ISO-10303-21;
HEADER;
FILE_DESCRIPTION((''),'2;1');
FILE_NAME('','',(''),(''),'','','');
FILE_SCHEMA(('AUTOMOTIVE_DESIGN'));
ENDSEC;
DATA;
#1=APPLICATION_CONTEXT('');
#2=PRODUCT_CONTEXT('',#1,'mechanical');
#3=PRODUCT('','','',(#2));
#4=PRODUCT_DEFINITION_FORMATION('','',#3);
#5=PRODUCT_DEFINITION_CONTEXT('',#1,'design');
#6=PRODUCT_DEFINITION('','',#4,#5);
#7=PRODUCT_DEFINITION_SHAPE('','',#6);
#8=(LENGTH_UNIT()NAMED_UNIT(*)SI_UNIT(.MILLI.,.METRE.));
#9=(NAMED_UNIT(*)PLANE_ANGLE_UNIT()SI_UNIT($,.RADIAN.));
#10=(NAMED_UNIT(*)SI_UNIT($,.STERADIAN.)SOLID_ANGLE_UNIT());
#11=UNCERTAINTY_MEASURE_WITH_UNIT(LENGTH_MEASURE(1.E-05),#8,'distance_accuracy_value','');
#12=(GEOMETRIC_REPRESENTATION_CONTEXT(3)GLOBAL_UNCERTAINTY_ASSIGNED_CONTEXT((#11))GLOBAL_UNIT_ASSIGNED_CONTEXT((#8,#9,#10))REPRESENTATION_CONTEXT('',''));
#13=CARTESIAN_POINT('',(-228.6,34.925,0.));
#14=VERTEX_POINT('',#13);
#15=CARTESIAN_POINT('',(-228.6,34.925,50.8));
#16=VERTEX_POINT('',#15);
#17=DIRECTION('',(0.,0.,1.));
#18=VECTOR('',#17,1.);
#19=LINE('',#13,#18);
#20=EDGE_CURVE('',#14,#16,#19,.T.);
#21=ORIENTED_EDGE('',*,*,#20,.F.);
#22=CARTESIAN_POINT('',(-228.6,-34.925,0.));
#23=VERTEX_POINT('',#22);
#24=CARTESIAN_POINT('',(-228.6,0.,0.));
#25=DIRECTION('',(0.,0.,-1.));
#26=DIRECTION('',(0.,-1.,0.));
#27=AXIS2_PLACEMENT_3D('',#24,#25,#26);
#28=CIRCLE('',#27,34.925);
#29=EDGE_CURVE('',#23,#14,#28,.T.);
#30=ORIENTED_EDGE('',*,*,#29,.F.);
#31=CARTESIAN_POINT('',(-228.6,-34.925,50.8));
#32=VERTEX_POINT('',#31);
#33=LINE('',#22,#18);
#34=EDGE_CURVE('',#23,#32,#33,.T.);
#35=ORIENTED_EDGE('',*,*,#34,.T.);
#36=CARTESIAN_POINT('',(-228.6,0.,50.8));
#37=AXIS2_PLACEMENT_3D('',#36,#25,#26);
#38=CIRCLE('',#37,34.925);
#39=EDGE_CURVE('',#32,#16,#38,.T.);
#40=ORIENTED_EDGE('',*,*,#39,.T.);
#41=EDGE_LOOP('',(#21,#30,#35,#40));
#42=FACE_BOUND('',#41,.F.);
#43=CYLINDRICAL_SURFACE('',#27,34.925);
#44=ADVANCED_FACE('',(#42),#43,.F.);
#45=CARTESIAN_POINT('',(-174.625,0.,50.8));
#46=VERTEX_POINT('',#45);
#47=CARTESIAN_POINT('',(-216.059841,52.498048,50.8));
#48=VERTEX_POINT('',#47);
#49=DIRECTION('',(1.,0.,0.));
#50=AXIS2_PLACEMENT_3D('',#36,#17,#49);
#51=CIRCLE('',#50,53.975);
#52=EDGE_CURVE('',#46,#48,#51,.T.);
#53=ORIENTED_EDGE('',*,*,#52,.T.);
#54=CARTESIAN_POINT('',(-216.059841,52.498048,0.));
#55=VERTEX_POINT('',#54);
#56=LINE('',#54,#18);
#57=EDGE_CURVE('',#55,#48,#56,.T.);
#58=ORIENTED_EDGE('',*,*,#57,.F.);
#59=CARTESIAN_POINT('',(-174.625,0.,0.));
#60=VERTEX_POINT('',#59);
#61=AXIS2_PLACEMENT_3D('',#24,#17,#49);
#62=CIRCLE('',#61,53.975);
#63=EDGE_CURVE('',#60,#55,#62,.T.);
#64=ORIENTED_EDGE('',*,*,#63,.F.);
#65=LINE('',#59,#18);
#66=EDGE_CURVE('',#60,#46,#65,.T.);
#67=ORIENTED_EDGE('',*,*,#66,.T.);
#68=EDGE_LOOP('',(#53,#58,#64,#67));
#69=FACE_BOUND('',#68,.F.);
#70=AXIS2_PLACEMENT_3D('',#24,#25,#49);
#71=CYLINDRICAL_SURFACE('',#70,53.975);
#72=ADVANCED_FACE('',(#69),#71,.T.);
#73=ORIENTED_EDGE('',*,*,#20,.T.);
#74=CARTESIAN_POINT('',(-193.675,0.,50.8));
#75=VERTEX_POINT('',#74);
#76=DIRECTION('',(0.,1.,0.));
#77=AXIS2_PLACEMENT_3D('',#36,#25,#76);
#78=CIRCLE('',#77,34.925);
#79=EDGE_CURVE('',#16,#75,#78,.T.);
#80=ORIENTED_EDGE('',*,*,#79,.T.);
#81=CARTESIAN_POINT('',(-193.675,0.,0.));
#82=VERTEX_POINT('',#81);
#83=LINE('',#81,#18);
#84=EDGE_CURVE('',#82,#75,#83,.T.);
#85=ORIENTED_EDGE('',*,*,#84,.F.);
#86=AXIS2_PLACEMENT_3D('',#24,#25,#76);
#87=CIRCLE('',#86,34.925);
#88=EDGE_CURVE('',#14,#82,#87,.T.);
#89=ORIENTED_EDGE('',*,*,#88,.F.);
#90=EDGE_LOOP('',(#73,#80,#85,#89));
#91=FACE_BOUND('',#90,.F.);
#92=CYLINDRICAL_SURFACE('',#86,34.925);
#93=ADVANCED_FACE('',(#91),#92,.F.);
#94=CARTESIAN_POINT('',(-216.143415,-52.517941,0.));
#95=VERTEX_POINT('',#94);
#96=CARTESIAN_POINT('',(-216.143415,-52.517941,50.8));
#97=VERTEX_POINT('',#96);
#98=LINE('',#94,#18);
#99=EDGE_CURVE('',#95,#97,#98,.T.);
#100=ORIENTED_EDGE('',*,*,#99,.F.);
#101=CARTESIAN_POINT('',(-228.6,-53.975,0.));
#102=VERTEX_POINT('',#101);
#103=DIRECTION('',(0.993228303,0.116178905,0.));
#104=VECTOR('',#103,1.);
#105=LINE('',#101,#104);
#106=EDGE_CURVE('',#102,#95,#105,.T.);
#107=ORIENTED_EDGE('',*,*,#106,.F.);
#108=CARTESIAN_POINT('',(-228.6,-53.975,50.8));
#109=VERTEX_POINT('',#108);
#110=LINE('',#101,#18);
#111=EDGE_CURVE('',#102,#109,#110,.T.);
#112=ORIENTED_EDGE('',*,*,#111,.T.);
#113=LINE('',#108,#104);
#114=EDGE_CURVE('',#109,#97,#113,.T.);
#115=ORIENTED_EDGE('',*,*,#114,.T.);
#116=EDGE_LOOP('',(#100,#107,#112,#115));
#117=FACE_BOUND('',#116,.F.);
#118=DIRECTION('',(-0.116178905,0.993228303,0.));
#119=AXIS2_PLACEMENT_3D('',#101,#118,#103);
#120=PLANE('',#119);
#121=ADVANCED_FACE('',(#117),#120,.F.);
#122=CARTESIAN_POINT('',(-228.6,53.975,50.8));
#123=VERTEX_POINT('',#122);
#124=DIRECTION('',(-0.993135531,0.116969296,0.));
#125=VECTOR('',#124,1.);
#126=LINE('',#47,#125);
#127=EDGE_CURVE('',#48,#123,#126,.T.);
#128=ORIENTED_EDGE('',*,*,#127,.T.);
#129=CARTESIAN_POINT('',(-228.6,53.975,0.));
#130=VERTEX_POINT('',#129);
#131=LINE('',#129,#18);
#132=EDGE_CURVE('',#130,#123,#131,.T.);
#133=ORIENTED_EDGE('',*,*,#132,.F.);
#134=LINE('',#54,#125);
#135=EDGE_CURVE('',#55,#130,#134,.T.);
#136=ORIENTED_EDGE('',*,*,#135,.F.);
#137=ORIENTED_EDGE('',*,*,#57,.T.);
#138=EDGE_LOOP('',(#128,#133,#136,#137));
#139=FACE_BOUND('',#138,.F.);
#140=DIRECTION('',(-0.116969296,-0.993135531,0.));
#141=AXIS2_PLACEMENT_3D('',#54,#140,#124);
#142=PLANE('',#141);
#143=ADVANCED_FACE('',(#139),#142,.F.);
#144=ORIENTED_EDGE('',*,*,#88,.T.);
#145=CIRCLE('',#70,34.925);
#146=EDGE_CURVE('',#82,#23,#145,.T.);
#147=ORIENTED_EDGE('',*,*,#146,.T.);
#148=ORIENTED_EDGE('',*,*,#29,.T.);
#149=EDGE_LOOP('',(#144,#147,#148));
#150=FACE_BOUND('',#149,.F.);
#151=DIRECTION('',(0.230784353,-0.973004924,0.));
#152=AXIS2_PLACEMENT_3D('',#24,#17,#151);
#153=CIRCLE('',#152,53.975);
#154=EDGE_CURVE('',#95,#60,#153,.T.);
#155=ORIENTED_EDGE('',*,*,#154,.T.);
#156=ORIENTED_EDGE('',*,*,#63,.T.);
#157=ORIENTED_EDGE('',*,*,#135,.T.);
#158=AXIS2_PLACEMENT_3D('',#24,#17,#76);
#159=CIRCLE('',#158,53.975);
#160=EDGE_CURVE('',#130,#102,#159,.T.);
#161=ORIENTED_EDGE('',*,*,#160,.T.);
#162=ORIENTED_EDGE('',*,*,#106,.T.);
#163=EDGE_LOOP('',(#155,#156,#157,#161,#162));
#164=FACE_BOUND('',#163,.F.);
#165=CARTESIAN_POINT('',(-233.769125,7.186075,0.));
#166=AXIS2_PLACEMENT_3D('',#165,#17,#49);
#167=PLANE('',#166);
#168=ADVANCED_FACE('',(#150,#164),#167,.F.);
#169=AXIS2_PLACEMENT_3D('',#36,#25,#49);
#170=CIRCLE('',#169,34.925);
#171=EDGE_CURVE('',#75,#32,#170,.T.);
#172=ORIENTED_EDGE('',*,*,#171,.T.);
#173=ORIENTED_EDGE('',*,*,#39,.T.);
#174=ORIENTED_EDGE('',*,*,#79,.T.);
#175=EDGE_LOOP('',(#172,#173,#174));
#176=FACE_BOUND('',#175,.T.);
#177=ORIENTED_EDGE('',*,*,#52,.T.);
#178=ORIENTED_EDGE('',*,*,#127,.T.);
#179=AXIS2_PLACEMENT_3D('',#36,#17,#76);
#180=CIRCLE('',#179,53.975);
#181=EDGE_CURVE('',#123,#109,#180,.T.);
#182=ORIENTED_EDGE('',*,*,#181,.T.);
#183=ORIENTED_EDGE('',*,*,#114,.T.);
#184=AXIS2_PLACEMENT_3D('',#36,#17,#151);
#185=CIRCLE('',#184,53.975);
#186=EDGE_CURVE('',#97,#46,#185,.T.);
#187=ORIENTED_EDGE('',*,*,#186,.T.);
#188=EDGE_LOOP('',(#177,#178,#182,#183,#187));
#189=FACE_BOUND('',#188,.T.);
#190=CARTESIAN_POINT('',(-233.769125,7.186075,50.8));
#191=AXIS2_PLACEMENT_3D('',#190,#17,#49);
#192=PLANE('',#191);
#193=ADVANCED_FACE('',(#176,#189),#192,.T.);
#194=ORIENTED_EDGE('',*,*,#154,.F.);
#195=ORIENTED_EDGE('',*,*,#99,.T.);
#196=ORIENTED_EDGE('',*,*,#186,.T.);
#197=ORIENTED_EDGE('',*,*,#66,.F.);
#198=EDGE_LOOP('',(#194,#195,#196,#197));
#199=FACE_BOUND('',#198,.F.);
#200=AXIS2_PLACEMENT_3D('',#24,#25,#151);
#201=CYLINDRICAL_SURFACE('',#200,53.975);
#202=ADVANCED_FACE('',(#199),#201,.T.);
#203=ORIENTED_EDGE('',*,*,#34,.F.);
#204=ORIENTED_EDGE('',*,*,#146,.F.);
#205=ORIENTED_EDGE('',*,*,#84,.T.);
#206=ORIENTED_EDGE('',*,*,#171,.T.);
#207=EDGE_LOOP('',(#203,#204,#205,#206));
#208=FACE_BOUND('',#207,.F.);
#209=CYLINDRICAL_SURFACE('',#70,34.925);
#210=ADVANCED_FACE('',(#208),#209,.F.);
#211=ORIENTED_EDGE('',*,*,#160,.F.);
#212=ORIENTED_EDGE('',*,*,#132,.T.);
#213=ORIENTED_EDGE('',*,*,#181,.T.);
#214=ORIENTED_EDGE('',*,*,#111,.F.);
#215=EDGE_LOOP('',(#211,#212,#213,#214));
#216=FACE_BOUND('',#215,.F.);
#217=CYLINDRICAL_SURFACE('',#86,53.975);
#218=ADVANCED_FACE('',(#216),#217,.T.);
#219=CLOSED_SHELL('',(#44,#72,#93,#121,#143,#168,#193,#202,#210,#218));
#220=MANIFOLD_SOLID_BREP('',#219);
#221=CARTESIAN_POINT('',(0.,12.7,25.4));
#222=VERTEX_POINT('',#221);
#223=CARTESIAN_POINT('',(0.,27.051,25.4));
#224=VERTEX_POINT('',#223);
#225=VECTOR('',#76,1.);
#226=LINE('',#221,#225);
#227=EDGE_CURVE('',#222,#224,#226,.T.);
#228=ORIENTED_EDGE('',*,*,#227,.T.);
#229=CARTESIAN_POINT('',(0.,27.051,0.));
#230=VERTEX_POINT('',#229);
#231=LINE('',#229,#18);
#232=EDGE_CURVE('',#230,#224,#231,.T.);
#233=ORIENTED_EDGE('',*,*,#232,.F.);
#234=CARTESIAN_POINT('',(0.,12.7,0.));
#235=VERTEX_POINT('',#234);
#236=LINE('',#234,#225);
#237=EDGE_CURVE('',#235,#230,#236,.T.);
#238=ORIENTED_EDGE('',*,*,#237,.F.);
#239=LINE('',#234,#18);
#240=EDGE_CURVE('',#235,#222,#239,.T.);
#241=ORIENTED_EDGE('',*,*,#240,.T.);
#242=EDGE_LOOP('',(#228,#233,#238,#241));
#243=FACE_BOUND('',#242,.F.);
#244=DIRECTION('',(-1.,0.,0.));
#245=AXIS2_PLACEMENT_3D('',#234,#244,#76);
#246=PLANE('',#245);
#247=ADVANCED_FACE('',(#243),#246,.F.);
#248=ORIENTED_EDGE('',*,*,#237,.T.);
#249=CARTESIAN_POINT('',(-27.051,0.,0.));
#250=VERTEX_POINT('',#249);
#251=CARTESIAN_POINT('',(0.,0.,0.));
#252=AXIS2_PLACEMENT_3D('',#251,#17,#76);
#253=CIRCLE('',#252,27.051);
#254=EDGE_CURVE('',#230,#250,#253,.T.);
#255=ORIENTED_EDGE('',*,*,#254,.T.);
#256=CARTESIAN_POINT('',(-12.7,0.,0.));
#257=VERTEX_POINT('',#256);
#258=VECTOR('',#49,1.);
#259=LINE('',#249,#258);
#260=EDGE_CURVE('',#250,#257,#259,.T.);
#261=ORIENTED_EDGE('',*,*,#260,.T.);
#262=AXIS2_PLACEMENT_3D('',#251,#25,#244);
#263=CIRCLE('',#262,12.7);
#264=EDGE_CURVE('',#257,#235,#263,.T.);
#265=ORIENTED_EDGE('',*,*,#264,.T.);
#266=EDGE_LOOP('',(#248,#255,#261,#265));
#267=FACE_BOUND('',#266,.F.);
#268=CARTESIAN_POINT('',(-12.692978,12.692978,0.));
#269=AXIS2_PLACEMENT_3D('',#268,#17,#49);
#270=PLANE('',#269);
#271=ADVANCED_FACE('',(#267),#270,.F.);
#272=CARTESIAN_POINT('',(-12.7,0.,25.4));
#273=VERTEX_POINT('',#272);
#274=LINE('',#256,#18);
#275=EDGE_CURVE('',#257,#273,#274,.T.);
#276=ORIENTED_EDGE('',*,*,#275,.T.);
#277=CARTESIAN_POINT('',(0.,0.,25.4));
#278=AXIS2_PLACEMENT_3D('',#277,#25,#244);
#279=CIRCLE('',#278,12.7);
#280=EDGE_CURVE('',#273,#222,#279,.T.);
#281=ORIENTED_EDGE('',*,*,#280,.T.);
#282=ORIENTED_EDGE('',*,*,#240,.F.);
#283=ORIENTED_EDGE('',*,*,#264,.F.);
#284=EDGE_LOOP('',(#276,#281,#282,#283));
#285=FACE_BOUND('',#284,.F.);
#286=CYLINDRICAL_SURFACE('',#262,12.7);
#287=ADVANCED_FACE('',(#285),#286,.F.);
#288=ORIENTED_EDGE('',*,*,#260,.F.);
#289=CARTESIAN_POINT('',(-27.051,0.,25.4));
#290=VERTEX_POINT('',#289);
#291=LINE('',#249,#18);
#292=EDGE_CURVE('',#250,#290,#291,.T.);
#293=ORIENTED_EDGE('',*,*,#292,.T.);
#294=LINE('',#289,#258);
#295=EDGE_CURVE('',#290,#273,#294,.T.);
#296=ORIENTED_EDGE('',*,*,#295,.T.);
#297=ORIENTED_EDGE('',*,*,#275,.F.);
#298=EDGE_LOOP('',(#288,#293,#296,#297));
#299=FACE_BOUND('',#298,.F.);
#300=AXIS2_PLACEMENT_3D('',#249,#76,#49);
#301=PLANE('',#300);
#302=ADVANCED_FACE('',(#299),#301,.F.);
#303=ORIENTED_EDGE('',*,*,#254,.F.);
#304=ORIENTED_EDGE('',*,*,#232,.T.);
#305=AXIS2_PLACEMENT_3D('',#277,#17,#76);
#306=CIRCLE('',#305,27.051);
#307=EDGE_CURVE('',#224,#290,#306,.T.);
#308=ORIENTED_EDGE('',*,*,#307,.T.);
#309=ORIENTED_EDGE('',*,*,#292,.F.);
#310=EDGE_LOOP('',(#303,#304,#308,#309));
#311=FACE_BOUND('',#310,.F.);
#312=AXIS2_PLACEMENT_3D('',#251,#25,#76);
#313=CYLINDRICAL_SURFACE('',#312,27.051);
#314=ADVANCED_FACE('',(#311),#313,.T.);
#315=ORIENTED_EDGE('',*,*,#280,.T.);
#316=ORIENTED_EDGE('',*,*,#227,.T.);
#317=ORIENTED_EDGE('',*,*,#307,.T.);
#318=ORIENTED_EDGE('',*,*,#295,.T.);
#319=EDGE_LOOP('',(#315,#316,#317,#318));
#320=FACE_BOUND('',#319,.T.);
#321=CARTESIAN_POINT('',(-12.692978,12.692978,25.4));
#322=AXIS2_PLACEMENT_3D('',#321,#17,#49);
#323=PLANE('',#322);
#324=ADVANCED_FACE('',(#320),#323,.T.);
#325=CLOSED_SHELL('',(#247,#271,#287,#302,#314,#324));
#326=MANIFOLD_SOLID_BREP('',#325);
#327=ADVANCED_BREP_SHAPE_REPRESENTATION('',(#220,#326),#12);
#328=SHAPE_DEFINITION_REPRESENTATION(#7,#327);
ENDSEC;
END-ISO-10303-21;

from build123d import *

# Parameters (mm, degrees)
F1_DEPTH = 50.8
F2_DEPTH = 25.4


with BuildPart() as f1:
    # F0 (on Top) → F1 (new body)
    with BuildSketch(Plane.XY):
        with BuildLine():
            ThreePointArc((-228.6, 34.925), (-203.9042956671, 24.6957043329), (-193.675, 0))
            Line((-193.675, 0), (-174.625, 0))
            ThreePointArc((-174.625, 0), (-186.2316408983, 33.4398380981), (-216.0598410201, 52.4980479424))
            Line((-216.0598410201, 52.4980479424), (-228.6, 53.975))
            ThreePointArc((-228.6, 53.975), (-282.575, 0), (-228.6, -53.975))
            Line((-228.6, -53.975), (-228.6, -34.925))
            ThreePointArc((-228.6, -34.925), (-263.525, 0), (-228.6, 34.925))
        make_face()
        with BuildLine():
            Line((-174.625, 0), (-193.675, 0))
            ThreePointArc((-193.675, 0), (-203.9042956671, -24.6957043329), (-228.6, -34.925))
            Line((-228.6, -34.925), (-228.6, -53.975))
            Line((-228.6, -53.975), (-216.1434145399, -52.5179407791))
            ThreePointArc((-216.1434145399, -52.5179407791), (-186.2582663014, -33.4735449631), (-174.625, 0))
        make_face()
    extrude(amount=F1_DEPTH)


with BuildPart() as f2:
    # F0 (on Top) → F2 (new body)
    with BuildSketch(Plane.XY):
        with BuildLine():
            Line((0, 12.7), (0, 27.051))
            ThreePointArc((0, 27.051), (-19.1279455379, 19.1279455379), (-27.051, 0))
            Line((-27.051, 0), (-12.7, 0))
            ThreePointArc((-12.7, 0), (-8.9802561211, 8.9802561211), (0, 12.7))
        make_face()
    extrude(amount=F2_DEPTH)


solid = Compound([f1.part, f2.part])
